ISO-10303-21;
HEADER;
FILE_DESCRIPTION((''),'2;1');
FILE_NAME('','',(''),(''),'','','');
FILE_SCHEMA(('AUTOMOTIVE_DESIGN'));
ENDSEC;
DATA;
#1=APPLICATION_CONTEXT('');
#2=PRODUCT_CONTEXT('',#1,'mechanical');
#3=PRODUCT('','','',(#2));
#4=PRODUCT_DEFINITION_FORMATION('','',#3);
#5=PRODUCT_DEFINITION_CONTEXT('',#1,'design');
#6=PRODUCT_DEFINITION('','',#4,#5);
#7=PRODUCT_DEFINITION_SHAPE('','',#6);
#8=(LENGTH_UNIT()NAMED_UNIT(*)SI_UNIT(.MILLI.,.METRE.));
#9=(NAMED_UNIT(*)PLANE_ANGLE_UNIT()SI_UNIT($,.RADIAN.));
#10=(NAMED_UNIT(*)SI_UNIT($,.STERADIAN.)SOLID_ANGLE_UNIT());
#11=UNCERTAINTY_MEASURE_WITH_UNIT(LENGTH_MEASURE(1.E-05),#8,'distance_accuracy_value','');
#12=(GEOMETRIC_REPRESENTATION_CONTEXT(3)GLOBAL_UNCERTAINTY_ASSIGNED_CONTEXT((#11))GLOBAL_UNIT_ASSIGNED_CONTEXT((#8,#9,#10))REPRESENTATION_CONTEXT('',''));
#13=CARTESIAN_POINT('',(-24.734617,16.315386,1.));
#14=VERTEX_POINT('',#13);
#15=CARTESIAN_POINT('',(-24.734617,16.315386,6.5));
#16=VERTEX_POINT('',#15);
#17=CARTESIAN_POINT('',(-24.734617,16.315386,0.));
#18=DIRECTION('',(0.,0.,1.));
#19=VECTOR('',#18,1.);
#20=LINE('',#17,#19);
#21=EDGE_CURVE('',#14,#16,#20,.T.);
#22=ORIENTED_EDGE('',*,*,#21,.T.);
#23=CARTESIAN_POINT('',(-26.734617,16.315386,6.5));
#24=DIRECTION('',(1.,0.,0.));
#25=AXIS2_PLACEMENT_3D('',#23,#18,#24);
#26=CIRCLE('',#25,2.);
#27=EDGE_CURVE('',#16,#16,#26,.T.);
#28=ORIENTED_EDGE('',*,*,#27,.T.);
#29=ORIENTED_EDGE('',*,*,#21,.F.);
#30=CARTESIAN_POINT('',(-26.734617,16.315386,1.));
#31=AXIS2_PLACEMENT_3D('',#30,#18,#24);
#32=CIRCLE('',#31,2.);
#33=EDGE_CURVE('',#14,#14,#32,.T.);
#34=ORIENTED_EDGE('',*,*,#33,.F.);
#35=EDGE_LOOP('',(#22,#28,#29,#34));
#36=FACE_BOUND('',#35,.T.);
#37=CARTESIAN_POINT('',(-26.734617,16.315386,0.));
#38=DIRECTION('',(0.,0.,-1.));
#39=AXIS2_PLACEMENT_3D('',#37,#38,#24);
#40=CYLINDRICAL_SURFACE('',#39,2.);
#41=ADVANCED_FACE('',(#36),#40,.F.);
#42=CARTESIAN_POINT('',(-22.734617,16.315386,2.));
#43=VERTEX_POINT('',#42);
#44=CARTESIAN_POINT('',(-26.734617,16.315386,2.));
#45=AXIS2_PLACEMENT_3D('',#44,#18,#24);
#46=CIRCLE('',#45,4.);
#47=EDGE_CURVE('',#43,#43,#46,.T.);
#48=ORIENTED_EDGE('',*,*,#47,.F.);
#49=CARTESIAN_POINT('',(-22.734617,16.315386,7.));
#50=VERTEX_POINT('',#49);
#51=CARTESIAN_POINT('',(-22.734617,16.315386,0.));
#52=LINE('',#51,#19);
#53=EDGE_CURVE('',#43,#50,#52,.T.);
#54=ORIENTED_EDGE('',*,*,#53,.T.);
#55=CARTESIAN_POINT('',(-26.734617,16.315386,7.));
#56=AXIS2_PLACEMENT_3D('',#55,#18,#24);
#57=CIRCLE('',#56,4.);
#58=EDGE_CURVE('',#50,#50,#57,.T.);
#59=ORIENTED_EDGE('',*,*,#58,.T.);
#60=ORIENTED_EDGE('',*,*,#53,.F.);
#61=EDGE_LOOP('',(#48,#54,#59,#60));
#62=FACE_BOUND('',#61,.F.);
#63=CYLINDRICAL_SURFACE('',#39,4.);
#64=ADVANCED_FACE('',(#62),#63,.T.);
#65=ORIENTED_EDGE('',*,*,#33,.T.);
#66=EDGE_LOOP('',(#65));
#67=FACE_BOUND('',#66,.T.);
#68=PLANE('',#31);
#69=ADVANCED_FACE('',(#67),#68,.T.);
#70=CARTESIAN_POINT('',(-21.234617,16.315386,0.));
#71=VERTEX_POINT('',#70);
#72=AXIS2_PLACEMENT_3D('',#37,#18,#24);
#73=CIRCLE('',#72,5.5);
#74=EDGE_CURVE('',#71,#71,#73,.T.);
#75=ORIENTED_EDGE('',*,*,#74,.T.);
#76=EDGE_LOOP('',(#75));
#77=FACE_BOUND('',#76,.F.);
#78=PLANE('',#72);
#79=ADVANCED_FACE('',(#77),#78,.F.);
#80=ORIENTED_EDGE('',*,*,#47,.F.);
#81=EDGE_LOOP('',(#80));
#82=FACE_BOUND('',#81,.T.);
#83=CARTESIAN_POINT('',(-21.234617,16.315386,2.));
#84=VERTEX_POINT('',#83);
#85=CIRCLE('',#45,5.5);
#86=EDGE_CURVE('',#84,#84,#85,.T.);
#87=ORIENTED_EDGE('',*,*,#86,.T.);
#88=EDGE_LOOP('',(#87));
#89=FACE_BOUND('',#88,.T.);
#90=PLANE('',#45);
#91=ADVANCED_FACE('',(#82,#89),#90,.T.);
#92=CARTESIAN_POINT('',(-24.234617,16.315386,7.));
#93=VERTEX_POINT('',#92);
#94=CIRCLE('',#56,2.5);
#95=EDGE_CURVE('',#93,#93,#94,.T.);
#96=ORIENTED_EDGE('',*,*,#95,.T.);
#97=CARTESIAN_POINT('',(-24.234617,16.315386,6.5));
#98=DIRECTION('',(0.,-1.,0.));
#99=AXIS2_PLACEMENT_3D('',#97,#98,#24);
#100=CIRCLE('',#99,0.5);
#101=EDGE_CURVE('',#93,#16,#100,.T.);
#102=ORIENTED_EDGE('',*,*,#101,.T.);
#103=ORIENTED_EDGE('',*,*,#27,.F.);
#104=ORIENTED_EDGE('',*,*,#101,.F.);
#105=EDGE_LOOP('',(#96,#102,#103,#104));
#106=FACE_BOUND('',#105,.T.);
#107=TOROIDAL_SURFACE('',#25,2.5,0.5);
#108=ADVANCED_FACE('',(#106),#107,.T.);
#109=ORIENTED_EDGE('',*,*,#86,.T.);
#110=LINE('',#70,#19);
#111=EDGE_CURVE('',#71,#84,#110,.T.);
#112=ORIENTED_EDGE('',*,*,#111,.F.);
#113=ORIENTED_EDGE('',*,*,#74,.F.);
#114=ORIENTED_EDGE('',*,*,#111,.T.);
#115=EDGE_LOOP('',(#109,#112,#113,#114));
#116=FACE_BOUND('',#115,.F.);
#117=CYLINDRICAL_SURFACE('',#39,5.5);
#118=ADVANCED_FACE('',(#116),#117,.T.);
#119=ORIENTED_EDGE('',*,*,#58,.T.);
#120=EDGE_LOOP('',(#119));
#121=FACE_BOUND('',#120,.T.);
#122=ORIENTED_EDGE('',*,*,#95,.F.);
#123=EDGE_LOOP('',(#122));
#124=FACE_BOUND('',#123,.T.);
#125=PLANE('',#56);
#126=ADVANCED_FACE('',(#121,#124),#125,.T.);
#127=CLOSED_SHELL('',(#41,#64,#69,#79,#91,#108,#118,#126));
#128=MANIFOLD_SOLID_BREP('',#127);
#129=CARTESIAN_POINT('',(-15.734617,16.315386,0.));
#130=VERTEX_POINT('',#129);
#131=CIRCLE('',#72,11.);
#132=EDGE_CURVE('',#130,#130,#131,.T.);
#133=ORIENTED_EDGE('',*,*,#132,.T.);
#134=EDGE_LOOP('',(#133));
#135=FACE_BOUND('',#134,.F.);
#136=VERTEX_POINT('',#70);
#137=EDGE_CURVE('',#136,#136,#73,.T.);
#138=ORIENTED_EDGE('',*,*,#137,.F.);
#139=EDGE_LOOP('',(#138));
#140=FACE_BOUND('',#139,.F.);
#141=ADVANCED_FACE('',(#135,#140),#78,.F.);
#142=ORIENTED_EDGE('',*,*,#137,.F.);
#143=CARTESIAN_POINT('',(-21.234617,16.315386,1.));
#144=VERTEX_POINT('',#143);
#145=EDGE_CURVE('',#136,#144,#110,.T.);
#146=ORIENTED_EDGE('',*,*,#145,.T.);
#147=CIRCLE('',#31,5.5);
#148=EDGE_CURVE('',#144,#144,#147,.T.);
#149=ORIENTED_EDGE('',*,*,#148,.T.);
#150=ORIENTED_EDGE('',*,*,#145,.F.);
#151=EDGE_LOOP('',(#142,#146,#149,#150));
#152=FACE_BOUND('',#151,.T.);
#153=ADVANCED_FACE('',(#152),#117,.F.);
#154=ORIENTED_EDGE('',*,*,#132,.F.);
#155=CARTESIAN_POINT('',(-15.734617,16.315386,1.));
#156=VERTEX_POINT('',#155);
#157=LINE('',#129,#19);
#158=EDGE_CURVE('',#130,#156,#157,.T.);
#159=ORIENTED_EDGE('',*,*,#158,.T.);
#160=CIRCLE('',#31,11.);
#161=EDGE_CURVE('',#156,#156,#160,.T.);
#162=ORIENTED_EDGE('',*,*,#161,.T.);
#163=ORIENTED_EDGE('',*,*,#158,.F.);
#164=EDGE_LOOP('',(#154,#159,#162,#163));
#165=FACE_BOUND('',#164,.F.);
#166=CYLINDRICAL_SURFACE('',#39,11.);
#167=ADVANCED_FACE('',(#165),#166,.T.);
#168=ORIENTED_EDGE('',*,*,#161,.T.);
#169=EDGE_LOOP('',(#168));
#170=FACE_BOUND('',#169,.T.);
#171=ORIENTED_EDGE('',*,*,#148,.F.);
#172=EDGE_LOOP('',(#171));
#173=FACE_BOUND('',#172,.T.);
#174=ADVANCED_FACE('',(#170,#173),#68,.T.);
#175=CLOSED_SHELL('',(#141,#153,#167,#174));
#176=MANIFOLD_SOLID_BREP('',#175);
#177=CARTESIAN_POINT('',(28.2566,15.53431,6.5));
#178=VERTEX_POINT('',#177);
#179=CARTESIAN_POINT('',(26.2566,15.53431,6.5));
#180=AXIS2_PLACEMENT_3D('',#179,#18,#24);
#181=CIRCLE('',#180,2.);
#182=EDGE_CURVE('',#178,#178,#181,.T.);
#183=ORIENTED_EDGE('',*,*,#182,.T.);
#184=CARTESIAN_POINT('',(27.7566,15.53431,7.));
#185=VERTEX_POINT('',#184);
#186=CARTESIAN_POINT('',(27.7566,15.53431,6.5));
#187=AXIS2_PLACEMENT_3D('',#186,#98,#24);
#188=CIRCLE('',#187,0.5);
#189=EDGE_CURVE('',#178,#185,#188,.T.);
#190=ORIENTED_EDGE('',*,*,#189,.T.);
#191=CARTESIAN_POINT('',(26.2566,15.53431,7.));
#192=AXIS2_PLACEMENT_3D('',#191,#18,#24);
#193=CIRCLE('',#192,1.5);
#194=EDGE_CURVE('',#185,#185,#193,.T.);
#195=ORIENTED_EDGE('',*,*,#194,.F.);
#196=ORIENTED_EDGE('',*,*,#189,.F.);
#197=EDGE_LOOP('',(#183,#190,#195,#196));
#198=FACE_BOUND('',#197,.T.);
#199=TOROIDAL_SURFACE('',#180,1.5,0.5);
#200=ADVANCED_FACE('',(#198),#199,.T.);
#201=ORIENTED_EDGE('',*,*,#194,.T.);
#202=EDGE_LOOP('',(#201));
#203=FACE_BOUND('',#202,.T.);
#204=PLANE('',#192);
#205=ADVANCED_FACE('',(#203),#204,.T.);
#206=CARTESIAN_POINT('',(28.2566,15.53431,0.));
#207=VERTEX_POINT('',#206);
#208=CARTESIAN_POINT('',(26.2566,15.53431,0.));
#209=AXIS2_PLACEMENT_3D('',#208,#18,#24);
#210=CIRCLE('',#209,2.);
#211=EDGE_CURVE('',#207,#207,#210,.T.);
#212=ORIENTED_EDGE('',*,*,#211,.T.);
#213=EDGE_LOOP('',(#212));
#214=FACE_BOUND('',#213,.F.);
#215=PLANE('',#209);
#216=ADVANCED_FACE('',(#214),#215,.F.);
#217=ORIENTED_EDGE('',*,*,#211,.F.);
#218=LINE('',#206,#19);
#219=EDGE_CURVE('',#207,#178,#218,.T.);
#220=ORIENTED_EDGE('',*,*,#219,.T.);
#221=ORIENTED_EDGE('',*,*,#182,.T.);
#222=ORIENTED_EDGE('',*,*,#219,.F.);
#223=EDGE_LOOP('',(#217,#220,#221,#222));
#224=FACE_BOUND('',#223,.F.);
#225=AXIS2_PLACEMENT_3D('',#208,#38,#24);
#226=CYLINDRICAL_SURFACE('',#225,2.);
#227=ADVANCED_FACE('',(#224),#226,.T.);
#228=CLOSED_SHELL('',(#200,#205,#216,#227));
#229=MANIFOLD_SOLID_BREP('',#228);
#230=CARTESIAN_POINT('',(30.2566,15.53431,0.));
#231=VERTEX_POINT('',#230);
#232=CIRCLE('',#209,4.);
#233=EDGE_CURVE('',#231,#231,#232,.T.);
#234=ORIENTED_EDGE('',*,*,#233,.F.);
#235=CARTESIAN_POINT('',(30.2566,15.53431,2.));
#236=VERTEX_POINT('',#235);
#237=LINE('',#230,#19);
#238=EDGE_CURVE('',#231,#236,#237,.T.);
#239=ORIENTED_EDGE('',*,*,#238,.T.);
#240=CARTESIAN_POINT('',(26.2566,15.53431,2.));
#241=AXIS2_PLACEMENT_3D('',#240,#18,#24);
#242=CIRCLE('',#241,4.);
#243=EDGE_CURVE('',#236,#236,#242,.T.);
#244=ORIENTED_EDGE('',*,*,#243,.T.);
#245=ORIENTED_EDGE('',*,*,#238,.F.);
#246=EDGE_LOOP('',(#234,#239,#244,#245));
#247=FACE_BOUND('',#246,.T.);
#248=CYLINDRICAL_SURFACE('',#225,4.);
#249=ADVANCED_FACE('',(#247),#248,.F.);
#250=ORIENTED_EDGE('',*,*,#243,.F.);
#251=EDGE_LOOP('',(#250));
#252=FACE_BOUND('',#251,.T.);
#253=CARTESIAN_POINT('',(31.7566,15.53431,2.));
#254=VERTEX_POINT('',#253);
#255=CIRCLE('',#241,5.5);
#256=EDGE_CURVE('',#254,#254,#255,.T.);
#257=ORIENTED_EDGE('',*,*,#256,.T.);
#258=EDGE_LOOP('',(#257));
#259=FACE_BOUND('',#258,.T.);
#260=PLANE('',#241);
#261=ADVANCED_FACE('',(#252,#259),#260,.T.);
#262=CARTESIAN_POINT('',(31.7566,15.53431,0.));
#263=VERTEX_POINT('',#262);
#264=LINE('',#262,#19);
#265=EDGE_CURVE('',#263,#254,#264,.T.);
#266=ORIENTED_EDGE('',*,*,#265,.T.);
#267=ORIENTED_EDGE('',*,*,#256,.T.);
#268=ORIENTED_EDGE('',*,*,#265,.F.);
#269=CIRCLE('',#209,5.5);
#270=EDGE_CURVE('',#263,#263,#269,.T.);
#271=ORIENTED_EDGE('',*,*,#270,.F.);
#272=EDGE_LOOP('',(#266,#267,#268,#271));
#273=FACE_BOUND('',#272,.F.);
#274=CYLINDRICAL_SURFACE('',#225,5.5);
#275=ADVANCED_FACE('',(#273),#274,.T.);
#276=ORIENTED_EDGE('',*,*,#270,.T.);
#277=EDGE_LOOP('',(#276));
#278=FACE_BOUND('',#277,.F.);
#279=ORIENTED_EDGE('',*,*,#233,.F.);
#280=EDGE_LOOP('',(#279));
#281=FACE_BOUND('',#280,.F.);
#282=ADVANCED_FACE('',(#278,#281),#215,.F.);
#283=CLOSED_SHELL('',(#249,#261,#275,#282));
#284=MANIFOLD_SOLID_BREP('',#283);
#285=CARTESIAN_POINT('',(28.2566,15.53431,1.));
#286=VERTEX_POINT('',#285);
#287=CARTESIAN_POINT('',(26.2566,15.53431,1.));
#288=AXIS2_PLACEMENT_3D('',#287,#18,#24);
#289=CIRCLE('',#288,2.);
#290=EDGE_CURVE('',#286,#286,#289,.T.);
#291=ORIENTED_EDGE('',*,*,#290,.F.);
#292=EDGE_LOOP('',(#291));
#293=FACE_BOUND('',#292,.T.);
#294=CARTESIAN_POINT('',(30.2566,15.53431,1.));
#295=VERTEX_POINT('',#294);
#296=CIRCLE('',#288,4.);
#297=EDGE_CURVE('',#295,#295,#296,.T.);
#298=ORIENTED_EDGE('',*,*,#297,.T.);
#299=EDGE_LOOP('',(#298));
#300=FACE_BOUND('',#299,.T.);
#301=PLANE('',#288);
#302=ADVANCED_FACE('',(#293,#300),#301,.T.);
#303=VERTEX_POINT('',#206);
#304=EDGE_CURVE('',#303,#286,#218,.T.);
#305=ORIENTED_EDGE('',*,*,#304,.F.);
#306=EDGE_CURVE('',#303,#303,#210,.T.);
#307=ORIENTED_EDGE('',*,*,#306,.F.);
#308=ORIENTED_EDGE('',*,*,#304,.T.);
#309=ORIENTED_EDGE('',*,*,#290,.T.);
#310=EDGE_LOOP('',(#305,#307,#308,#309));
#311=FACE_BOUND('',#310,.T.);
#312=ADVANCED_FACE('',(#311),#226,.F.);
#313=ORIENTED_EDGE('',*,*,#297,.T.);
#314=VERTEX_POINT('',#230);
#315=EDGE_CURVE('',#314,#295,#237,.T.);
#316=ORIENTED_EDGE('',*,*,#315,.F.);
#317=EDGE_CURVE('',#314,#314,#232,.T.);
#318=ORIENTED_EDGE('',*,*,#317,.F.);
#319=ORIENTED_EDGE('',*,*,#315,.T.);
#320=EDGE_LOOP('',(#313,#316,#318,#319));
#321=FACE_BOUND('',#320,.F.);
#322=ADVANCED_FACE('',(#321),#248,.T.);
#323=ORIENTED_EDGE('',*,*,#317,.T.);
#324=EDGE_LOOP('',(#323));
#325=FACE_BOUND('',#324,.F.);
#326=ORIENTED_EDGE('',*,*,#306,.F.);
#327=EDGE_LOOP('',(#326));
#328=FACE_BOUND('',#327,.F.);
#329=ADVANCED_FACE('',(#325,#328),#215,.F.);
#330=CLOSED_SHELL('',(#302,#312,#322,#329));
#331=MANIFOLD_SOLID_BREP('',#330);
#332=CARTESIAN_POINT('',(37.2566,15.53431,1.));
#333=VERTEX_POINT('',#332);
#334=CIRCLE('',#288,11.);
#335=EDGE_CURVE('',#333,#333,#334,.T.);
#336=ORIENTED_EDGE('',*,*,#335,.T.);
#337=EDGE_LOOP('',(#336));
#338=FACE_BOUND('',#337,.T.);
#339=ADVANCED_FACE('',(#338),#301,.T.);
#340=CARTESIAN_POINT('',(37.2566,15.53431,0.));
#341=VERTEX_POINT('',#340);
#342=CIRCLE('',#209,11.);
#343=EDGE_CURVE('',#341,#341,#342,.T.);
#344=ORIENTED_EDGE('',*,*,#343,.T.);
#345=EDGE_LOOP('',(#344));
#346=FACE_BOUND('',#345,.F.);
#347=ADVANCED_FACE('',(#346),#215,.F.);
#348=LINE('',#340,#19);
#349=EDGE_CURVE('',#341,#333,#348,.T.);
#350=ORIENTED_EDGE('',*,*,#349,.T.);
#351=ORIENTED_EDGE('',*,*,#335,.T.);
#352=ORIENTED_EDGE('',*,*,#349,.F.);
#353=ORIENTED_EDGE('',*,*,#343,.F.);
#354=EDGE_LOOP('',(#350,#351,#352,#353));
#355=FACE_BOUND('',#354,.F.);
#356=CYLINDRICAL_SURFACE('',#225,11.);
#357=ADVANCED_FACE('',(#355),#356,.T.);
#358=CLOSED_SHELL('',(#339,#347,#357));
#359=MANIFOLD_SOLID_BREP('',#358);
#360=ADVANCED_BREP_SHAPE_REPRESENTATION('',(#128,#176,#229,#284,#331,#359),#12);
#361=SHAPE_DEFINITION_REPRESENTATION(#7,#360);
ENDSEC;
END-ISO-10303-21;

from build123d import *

# Parameters (mm, degrees)
F0_R     = 11
F0_R_2   = 5.5
F2_DEPTH = 1
F1_R     = 11
F1_R_2   = 5.5
F1_R_3   = 4
F1_R_4   = 2
F0_R_3   = 4
F3_DEPTH = 2
F0_R_4   = 2
F4_DEPTH = 7
F5_DEPTH = 1
F6_DEPTH = 1
F7_R     = 0.5
F7_2_R   = 0.5


with BuildPart() as f2:
    # F0 (on Top) → F2 (new body)
    with BuildSketch(Plane.XY):
        with Locations((-26.7346166074, 16.3153856993)):
            Circle(F0_R)
        with Locations((-26.7346166074, 16.3153856993)):
            Circle(F0_R_2, mode=Mode.SUBTRACT)
    extrude(amount=F2_DEPTH)


with BuildPart() as f2b:
    # F1 (on face) → F2, piece 2 (new body)
    with BuildSketch(Plane.XY):
        with Locations((26.2566003948, 15.5343096703)):
            Circle(F1_R)
        with Locations((26.2566003948, 15.5343096703)):
            Circle(F1_R_2, mode=Mode.SUBTRACT)
        with Locations((26.2566003948, 15.5343096703)):
            Circle(F1_R_2)
        with Locations((26.2566003948, 15.5343096703)):
            Circle(F1_R_3, mode=Mode.SUBTRACT)
        with Locations((26.2566003948, 15.5343096703)):
            Circle(F1_R_3)
        with Locations((26.2566003948, 15.5343096703)):
            Circle(F1_R_4, mode=Mode.SUBTRACT)
        with Locations((26.2566003948, 15.5343096703)):
            Circle(F1_R_4)
    extrude(amount=F2_DEPTH)


with BuildPart() as f3:
    # F0 (on Top) → F3 (new body)
    with BuildSketch(Plane.XY):
        with Locations((-26.7346166074, 16.3153856993)):
            Circle(F0_R_2)
        with Locations((-26.7346166074, 16.3153856993)):
            Circle(F0_R_3, mode=Mode.SUBTRACT)
    extrude(amount=F3_DEPTH)

    # F0 (on Top) → F4 (join)
    with BuildSketch(Plane.XY):
        with Locations((-26.7346166074, 16.3153856993)):
            Circle(F0_R_3)
        with Locations((-26.7346166074, 16.3153856993)):
            Circle(F0_R_4, mode=Mode.SUBTRACT)
    extrude(amount=F4_DEPTH)

    # F0 (on Top) → F6 (join)
    with BuildSketch(Plane.XY):
        with Locations((-26.7346166074, 16.3153856993)):
            Circle(F0_R_4)
    extrude(amount=F6_DEPTH)

    # F7
    f7_edges = [f3.edges().sort_by_distance(p)[0] for p in [
        (-28.734617, 16.315386, 7),
    ]]
    fillet(f7_edges, radius=F7_R)


with BuildPart() as f3b:
    # F1 (on face) → F3, piece 2 (new body)
    with BuildSketch(Plane.XY):
        with Locations((26.2566003948, 15.5343096703)):
            Circle(F1_R_2)
        with Locations((26.2566003948, 15.5343096703)):
            Circle(F1_R_3, mode=Mode.SUBTRACT)
    extrude(amount=F3_DEPTH)


with BuildPart() as f4:
    # F1 (on face) → F4, piece 2 (new body)
    with BuildSketch(Plane.XY):
        with Locations((26.2566003948, 15.5343096703)):
            Circle(F1_R_4)
    extrude(amount=F4_DEPTH)

    # F7#2
    f7_2_edges = [f4.edges().sort_by_distance(p)[0] for p in [
        (24.2566, 15.53431, 7),
    ]]
    fillet(f7_2_edges, radius=F7_2_R)


with BuildPart() as f5:
    # F1 (on face) → F5 (new body)
    with BuildSketch(Plane.XY):
        with Locations((26.2566003948, 15.5343096703)):
            Circle(F1_R_3)
        with Locations((26.2566003948, 15.5343096703)):
            Circle(F1_R_4, mode=Mode.SUBTRACT)
    extrude(amount=F5_DEPTH)


solid = Compound([f2.part, f2b.part, f3.part, f3b.part, f4.part, f5.part])
